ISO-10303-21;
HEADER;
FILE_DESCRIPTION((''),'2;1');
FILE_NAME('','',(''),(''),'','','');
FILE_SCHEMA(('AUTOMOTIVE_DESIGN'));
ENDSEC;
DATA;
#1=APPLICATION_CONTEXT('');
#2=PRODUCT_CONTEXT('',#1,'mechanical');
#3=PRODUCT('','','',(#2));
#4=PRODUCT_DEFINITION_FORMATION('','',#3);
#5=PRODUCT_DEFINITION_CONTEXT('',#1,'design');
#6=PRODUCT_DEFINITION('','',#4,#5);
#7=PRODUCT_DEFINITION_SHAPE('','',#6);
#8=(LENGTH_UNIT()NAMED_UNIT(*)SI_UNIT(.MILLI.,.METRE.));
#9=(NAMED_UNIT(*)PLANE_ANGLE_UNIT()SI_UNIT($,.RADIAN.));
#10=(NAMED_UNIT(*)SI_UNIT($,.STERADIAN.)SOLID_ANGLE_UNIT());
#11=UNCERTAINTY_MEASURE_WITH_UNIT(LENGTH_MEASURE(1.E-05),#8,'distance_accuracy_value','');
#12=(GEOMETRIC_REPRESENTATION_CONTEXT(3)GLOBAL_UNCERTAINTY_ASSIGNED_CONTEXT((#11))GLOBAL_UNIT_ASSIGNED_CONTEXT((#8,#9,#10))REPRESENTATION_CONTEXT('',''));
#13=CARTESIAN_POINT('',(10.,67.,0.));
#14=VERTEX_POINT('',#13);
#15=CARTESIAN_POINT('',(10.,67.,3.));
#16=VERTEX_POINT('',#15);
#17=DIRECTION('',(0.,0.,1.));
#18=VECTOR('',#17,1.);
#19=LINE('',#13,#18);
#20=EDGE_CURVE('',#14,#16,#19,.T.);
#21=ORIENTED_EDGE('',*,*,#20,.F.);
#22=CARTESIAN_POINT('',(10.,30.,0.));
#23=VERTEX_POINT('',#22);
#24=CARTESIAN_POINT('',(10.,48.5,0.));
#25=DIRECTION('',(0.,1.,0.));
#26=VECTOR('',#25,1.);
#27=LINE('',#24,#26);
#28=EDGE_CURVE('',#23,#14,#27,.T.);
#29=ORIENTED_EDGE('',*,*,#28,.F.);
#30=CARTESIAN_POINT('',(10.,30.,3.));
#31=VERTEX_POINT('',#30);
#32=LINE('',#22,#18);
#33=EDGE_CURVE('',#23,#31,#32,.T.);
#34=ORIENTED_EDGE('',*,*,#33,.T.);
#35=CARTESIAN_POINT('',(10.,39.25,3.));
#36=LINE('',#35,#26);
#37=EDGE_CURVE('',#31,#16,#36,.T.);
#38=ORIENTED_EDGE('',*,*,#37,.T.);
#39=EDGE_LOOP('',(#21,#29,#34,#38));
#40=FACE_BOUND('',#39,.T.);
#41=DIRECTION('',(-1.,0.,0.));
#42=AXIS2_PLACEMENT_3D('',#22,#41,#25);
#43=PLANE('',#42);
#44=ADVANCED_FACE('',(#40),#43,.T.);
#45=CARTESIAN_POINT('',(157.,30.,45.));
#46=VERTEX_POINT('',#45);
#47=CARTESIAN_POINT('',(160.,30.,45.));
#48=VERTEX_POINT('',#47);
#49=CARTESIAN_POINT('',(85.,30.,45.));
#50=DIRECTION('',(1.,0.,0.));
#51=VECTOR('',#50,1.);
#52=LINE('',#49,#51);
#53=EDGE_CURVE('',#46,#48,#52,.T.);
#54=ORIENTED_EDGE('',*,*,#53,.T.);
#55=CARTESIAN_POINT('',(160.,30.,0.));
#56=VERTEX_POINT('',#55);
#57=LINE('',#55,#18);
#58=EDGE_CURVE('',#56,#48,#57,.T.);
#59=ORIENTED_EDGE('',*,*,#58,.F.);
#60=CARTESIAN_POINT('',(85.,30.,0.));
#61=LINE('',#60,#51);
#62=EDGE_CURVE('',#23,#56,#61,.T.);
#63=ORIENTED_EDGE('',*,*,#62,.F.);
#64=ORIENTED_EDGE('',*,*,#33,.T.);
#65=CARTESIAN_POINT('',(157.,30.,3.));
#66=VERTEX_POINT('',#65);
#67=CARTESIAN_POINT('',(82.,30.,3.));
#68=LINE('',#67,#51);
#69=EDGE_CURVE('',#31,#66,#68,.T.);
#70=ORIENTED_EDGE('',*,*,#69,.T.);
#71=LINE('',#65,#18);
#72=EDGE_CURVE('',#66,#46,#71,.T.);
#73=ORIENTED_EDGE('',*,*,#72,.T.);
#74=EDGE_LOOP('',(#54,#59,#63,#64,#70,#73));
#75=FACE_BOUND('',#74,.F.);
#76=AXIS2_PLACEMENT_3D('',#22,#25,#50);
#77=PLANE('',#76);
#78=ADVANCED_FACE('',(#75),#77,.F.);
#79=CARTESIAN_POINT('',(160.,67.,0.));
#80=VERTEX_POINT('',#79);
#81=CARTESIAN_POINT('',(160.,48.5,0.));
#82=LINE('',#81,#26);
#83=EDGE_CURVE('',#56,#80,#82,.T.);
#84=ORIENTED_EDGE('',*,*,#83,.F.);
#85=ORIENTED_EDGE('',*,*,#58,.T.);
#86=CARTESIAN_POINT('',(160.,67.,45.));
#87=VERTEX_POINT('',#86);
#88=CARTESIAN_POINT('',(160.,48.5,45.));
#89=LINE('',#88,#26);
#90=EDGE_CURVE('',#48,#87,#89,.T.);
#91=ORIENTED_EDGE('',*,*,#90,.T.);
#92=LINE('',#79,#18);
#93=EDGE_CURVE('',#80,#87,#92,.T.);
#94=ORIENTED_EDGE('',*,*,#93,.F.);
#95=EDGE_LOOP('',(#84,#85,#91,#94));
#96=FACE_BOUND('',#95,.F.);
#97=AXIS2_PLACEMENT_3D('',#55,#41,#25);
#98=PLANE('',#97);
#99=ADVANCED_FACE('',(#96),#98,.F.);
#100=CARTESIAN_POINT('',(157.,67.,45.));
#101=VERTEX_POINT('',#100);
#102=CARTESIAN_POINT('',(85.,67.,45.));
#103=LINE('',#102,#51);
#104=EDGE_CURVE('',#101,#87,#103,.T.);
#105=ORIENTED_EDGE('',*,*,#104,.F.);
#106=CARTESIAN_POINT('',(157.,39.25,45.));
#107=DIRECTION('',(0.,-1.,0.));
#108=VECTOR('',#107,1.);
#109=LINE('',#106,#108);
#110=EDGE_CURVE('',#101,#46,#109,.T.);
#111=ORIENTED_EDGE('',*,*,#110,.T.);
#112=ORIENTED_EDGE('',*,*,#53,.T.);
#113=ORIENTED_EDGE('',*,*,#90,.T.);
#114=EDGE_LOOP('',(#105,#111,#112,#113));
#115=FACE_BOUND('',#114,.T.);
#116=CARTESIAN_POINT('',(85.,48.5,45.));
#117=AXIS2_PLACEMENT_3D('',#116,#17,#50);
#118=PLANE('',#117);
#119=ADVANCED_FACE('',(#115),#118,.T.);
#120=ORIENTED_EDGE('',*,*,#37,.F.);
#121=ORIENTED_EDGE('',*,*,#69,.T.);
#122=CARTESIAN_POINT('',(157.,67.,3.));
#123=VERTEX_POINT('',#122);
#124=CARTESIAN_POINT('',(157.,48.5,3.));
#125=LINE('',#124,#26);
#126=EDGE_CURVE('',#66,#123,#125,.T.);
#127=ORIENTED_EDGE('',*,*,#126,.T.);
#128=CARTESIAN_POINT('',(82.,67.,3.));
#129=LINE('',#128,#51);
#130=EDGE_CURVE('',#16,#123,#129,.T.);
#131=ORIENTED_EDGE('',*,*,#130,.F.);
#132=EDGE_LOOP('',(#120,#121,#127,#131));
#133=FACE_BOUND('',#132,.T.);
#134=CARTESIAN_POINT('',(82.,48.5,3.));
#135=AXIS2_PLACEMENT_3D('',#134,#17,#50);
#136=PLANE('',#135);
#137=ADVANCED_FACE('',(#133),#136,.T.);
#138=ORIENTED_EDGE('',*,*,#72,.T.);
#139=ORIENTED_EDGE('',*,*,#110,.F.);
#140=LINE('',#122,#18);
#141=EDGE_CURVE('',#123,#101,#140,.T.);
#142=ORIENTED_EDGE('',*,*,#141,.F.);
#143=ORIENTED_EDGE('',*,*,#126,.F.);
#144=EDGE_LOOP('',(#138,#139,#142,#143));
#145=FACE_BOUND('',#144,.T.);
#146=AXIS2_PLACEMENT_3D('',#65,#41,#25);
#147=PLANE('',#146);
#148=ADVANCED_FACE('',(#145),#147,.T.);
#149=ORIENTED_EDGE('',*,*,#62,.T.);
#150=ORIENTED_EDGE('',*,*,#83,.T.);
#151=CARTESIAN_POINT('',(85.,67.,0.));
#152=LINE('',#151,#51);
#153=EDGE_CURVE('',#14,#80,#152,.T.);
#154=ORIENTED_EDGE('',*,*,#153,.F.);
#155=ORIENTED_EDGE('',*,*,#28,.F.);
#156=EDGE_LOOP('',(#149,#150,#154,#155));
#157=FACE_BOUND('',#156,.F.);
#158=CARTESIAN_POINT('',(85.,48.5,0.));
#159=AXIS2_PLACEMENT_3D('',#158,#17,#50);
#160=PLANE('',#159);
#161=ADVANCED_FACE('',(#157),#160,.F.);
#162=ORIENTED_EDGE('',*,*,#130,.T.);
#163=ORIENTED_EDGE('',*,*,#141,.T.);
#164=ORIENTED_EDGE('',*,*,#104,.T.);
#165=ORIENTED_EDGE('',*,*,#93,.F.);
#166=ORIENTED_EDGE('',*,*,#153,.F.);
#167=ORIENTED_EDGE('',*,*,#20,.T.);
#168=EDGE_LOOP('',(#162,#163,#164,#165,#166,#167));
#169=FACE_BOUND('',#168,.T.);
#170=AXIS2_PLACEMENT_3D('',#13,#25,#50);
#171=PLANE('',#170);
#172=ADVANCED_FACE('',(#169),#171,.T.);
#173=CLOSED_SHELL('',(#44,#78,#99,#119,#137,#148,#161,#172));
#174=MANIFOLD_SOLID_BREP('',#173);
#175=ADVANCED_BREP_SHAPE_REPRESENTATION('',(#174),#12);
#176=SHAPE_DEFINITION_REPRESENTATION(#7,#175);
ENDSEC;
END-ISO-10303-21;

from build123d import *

# Parameters (mm, degrees)
BOX024_W     = 150
BOX024_H     = 37
BOX024_DEPTH = 45
BOX023_W     = 150
BOX023_H     = 37
BOX023_DEPTH = 45


with BuildPart() as w_rfel017:
    # Box024 → Box024 (new body)
    with BuildSketch(Plane(origin=(-3, 0, 3), x_dir=(1, 0, 0), z_dir=(0, 0, 1))):
        with Locations((75, 18.5)):
            Rectangle(BOX024_W, BOX024_H)
    extrude(amount=BOX024_DEPTH)


with BuildPart() as cut018:
    # Box023 → Box023 (new body)
    with BuildSketch(Plane.XY):
        with Locations((75, 18.5)):
            Rectangle(BOX023_W, BOX023_H)
    extrude(amount=BOX023_DEPTH)

    # Cut018: cut Würfel017
    add(w_rfel017.part, mode=Mode.SUBTRACT)


with BuildPart() as cut018_1:
    # Cut018 placement: moved
    add(cut018.part.moved(Location((10, 30, 0))))


solid = cut018_1.part
